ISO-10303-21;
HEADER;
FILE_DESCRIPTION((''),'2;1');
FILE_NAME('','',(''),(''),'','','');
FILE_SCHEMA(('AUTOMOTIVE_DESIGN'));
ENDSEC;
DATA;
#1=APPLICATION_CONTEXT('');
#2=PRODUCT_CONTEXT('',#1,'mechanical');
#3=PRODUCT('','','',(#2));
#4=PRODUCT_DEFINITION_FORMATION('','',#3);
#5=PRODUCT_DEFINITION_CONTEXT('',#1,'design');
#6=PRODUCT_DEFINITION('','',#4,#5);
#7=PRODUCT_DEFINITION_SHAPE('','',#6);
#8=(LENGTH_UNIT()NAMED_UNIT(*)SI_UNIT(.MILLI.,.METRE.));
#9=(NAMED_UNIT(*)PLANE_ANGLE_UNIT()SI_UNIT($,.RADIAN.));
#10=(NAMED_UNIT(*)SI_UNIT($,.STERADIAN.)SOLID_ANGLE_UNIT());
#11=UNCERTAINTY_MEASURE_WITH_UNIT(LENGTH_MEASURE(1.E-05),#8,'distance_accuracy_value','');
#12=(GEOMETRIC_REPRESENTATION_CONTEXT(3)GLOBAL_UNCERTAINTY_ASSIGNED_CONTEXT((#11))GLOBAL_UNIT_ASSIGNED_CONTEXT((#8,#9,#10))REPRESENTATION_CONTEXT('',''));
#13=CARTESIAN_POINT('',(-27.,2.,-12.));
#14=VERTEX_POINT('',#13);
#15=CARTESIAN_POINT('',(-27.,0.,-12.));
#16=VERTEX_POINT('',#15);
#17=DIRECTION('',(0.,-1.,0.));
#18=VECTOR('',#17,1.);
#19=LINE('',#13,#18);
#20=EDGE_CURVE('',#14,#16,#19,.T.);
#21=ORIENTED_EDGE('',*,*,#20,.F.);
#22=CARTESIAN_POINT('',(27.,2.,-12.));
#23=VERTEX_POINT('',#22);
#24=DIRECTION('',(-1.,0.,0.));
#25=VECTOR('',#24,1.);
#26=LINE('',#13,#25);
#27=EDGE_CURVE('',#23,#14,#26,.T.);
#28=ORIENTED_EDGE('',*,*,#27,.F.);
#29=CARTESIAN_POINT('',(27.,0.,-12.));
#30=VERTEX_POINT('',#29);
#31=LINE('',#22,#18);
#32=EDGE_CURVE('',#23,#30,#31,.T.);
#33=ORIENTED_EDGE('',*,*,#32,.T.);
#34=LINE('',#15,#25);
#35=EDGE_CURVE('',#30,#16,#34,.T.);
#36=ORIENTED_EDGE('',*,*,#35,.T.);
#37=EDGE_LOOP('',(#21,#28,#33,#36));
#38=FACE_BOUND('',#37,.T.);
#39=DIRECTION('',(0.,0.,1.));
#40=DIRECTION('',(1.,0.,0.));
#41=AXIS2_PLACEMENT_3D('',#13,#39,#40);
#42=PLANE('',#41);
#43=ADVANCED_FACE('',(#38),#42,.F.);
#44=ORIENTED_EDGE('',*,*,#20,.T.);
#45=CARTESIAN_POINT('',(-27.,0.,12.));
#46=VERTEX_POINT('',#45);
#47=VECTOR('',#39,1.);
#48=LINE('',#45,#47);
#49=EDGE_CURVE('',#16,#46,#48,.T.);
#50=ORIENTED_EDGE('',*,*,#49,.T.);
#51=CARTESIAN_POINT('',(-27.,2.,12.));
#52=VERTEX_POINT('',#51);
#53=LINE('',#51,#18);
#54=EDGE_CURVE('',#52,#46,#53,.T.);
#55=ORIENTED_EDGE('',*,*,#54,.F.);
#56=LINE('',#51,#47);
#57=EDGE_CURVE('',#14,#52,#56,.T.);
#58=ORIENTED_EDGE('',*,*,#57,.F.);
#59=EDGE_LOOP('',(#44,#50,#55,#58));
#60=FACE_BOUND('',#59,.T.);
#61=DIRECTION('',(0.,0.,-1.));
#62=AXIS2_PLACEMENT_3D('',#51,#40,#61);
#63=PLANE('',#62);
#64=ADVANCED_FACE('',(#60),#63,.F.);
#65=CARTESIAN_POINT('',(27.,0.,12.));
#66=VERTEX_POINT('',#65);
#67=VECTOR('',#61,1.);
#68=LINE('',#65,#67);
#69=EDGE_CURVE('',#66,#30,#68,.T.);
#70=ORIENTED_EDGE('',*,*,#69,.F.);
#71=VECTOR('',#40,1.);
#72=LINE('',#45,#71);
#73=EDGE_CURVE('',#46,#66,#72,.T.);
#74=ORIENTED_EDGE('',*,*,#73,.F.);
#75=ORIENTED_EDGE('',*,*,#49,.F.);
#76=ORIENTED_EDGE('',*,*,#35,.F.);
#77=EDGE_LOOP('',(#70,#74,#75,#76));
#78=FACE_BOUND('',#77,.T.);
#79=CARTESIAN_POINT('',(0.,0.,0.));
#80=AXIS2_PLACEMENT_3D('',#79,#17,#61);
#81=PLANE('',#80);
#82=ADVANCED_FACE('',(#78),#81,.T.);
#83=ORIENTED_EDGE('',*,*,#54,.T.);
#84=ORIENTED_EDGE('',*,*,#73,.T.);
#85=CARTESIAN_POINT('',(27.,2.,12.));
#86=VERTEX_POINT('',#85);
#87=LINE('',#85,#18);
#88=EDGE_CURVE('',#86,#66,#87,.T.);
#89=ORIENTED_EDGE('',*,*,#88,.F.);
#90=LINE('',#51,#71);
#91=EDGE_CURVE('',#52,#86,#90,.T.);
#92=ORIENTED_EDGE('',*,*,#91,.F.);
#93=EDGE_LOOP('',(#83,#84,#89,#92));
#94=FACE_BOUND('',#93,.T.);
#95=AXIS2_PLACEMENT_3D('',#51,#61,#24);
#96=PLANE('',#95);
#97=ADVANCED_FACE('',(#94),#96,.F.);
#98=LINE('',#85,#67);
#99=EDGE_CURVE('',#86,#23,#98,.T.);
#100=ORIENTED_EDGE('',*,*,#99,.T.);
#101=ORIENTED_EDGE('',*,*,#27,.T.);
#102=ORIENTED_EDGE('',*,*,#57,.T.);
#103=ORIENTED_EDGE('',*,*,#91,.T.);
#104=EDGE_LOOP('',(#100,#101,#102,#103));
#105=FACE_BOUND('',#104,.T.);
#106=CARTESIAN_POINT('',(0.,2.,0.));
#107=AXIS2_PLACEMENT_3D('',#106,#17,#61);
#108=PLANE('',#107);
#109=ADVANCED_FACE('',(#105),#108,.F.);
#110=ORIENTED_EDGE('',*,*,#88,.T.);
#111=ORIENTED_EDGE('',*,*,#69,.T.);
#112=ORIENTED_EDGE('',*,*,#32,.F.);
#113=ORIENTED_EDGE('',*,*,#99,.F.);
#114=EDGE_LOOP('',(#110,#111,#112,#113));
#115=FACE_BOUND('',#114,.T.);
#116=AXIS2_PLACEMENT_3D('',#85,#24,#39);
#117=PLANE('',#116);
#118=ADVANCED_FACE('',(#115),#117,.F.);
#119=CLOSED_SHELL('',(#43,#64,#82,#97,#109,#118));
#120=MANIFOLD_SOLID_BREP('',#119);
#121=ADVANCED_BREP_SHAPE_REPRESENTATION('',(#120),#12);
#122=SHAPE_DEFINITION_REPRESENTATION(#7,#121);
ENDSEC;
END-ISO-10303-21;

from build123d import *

# Parameters (mm, degrees)
SKETCH1_W           = 54
SKETCH1_H           = 24
BOSS_EXTRUDE1_DEPTH = 2


with BuildPart() as part:
    # Sketch1 → Boss-Extrude1 (new body)
    with BuildSketch(Plane(origin=(0, 0, 0), x_dir=(1, 0, 0), z_dir=(0, 1, 0))):
        Rectangle(SKETCH1_W, SKETCH1_H)
    extrude(amount=BOSS_EXTRUDE1_DEPTH)


solid = part.part
